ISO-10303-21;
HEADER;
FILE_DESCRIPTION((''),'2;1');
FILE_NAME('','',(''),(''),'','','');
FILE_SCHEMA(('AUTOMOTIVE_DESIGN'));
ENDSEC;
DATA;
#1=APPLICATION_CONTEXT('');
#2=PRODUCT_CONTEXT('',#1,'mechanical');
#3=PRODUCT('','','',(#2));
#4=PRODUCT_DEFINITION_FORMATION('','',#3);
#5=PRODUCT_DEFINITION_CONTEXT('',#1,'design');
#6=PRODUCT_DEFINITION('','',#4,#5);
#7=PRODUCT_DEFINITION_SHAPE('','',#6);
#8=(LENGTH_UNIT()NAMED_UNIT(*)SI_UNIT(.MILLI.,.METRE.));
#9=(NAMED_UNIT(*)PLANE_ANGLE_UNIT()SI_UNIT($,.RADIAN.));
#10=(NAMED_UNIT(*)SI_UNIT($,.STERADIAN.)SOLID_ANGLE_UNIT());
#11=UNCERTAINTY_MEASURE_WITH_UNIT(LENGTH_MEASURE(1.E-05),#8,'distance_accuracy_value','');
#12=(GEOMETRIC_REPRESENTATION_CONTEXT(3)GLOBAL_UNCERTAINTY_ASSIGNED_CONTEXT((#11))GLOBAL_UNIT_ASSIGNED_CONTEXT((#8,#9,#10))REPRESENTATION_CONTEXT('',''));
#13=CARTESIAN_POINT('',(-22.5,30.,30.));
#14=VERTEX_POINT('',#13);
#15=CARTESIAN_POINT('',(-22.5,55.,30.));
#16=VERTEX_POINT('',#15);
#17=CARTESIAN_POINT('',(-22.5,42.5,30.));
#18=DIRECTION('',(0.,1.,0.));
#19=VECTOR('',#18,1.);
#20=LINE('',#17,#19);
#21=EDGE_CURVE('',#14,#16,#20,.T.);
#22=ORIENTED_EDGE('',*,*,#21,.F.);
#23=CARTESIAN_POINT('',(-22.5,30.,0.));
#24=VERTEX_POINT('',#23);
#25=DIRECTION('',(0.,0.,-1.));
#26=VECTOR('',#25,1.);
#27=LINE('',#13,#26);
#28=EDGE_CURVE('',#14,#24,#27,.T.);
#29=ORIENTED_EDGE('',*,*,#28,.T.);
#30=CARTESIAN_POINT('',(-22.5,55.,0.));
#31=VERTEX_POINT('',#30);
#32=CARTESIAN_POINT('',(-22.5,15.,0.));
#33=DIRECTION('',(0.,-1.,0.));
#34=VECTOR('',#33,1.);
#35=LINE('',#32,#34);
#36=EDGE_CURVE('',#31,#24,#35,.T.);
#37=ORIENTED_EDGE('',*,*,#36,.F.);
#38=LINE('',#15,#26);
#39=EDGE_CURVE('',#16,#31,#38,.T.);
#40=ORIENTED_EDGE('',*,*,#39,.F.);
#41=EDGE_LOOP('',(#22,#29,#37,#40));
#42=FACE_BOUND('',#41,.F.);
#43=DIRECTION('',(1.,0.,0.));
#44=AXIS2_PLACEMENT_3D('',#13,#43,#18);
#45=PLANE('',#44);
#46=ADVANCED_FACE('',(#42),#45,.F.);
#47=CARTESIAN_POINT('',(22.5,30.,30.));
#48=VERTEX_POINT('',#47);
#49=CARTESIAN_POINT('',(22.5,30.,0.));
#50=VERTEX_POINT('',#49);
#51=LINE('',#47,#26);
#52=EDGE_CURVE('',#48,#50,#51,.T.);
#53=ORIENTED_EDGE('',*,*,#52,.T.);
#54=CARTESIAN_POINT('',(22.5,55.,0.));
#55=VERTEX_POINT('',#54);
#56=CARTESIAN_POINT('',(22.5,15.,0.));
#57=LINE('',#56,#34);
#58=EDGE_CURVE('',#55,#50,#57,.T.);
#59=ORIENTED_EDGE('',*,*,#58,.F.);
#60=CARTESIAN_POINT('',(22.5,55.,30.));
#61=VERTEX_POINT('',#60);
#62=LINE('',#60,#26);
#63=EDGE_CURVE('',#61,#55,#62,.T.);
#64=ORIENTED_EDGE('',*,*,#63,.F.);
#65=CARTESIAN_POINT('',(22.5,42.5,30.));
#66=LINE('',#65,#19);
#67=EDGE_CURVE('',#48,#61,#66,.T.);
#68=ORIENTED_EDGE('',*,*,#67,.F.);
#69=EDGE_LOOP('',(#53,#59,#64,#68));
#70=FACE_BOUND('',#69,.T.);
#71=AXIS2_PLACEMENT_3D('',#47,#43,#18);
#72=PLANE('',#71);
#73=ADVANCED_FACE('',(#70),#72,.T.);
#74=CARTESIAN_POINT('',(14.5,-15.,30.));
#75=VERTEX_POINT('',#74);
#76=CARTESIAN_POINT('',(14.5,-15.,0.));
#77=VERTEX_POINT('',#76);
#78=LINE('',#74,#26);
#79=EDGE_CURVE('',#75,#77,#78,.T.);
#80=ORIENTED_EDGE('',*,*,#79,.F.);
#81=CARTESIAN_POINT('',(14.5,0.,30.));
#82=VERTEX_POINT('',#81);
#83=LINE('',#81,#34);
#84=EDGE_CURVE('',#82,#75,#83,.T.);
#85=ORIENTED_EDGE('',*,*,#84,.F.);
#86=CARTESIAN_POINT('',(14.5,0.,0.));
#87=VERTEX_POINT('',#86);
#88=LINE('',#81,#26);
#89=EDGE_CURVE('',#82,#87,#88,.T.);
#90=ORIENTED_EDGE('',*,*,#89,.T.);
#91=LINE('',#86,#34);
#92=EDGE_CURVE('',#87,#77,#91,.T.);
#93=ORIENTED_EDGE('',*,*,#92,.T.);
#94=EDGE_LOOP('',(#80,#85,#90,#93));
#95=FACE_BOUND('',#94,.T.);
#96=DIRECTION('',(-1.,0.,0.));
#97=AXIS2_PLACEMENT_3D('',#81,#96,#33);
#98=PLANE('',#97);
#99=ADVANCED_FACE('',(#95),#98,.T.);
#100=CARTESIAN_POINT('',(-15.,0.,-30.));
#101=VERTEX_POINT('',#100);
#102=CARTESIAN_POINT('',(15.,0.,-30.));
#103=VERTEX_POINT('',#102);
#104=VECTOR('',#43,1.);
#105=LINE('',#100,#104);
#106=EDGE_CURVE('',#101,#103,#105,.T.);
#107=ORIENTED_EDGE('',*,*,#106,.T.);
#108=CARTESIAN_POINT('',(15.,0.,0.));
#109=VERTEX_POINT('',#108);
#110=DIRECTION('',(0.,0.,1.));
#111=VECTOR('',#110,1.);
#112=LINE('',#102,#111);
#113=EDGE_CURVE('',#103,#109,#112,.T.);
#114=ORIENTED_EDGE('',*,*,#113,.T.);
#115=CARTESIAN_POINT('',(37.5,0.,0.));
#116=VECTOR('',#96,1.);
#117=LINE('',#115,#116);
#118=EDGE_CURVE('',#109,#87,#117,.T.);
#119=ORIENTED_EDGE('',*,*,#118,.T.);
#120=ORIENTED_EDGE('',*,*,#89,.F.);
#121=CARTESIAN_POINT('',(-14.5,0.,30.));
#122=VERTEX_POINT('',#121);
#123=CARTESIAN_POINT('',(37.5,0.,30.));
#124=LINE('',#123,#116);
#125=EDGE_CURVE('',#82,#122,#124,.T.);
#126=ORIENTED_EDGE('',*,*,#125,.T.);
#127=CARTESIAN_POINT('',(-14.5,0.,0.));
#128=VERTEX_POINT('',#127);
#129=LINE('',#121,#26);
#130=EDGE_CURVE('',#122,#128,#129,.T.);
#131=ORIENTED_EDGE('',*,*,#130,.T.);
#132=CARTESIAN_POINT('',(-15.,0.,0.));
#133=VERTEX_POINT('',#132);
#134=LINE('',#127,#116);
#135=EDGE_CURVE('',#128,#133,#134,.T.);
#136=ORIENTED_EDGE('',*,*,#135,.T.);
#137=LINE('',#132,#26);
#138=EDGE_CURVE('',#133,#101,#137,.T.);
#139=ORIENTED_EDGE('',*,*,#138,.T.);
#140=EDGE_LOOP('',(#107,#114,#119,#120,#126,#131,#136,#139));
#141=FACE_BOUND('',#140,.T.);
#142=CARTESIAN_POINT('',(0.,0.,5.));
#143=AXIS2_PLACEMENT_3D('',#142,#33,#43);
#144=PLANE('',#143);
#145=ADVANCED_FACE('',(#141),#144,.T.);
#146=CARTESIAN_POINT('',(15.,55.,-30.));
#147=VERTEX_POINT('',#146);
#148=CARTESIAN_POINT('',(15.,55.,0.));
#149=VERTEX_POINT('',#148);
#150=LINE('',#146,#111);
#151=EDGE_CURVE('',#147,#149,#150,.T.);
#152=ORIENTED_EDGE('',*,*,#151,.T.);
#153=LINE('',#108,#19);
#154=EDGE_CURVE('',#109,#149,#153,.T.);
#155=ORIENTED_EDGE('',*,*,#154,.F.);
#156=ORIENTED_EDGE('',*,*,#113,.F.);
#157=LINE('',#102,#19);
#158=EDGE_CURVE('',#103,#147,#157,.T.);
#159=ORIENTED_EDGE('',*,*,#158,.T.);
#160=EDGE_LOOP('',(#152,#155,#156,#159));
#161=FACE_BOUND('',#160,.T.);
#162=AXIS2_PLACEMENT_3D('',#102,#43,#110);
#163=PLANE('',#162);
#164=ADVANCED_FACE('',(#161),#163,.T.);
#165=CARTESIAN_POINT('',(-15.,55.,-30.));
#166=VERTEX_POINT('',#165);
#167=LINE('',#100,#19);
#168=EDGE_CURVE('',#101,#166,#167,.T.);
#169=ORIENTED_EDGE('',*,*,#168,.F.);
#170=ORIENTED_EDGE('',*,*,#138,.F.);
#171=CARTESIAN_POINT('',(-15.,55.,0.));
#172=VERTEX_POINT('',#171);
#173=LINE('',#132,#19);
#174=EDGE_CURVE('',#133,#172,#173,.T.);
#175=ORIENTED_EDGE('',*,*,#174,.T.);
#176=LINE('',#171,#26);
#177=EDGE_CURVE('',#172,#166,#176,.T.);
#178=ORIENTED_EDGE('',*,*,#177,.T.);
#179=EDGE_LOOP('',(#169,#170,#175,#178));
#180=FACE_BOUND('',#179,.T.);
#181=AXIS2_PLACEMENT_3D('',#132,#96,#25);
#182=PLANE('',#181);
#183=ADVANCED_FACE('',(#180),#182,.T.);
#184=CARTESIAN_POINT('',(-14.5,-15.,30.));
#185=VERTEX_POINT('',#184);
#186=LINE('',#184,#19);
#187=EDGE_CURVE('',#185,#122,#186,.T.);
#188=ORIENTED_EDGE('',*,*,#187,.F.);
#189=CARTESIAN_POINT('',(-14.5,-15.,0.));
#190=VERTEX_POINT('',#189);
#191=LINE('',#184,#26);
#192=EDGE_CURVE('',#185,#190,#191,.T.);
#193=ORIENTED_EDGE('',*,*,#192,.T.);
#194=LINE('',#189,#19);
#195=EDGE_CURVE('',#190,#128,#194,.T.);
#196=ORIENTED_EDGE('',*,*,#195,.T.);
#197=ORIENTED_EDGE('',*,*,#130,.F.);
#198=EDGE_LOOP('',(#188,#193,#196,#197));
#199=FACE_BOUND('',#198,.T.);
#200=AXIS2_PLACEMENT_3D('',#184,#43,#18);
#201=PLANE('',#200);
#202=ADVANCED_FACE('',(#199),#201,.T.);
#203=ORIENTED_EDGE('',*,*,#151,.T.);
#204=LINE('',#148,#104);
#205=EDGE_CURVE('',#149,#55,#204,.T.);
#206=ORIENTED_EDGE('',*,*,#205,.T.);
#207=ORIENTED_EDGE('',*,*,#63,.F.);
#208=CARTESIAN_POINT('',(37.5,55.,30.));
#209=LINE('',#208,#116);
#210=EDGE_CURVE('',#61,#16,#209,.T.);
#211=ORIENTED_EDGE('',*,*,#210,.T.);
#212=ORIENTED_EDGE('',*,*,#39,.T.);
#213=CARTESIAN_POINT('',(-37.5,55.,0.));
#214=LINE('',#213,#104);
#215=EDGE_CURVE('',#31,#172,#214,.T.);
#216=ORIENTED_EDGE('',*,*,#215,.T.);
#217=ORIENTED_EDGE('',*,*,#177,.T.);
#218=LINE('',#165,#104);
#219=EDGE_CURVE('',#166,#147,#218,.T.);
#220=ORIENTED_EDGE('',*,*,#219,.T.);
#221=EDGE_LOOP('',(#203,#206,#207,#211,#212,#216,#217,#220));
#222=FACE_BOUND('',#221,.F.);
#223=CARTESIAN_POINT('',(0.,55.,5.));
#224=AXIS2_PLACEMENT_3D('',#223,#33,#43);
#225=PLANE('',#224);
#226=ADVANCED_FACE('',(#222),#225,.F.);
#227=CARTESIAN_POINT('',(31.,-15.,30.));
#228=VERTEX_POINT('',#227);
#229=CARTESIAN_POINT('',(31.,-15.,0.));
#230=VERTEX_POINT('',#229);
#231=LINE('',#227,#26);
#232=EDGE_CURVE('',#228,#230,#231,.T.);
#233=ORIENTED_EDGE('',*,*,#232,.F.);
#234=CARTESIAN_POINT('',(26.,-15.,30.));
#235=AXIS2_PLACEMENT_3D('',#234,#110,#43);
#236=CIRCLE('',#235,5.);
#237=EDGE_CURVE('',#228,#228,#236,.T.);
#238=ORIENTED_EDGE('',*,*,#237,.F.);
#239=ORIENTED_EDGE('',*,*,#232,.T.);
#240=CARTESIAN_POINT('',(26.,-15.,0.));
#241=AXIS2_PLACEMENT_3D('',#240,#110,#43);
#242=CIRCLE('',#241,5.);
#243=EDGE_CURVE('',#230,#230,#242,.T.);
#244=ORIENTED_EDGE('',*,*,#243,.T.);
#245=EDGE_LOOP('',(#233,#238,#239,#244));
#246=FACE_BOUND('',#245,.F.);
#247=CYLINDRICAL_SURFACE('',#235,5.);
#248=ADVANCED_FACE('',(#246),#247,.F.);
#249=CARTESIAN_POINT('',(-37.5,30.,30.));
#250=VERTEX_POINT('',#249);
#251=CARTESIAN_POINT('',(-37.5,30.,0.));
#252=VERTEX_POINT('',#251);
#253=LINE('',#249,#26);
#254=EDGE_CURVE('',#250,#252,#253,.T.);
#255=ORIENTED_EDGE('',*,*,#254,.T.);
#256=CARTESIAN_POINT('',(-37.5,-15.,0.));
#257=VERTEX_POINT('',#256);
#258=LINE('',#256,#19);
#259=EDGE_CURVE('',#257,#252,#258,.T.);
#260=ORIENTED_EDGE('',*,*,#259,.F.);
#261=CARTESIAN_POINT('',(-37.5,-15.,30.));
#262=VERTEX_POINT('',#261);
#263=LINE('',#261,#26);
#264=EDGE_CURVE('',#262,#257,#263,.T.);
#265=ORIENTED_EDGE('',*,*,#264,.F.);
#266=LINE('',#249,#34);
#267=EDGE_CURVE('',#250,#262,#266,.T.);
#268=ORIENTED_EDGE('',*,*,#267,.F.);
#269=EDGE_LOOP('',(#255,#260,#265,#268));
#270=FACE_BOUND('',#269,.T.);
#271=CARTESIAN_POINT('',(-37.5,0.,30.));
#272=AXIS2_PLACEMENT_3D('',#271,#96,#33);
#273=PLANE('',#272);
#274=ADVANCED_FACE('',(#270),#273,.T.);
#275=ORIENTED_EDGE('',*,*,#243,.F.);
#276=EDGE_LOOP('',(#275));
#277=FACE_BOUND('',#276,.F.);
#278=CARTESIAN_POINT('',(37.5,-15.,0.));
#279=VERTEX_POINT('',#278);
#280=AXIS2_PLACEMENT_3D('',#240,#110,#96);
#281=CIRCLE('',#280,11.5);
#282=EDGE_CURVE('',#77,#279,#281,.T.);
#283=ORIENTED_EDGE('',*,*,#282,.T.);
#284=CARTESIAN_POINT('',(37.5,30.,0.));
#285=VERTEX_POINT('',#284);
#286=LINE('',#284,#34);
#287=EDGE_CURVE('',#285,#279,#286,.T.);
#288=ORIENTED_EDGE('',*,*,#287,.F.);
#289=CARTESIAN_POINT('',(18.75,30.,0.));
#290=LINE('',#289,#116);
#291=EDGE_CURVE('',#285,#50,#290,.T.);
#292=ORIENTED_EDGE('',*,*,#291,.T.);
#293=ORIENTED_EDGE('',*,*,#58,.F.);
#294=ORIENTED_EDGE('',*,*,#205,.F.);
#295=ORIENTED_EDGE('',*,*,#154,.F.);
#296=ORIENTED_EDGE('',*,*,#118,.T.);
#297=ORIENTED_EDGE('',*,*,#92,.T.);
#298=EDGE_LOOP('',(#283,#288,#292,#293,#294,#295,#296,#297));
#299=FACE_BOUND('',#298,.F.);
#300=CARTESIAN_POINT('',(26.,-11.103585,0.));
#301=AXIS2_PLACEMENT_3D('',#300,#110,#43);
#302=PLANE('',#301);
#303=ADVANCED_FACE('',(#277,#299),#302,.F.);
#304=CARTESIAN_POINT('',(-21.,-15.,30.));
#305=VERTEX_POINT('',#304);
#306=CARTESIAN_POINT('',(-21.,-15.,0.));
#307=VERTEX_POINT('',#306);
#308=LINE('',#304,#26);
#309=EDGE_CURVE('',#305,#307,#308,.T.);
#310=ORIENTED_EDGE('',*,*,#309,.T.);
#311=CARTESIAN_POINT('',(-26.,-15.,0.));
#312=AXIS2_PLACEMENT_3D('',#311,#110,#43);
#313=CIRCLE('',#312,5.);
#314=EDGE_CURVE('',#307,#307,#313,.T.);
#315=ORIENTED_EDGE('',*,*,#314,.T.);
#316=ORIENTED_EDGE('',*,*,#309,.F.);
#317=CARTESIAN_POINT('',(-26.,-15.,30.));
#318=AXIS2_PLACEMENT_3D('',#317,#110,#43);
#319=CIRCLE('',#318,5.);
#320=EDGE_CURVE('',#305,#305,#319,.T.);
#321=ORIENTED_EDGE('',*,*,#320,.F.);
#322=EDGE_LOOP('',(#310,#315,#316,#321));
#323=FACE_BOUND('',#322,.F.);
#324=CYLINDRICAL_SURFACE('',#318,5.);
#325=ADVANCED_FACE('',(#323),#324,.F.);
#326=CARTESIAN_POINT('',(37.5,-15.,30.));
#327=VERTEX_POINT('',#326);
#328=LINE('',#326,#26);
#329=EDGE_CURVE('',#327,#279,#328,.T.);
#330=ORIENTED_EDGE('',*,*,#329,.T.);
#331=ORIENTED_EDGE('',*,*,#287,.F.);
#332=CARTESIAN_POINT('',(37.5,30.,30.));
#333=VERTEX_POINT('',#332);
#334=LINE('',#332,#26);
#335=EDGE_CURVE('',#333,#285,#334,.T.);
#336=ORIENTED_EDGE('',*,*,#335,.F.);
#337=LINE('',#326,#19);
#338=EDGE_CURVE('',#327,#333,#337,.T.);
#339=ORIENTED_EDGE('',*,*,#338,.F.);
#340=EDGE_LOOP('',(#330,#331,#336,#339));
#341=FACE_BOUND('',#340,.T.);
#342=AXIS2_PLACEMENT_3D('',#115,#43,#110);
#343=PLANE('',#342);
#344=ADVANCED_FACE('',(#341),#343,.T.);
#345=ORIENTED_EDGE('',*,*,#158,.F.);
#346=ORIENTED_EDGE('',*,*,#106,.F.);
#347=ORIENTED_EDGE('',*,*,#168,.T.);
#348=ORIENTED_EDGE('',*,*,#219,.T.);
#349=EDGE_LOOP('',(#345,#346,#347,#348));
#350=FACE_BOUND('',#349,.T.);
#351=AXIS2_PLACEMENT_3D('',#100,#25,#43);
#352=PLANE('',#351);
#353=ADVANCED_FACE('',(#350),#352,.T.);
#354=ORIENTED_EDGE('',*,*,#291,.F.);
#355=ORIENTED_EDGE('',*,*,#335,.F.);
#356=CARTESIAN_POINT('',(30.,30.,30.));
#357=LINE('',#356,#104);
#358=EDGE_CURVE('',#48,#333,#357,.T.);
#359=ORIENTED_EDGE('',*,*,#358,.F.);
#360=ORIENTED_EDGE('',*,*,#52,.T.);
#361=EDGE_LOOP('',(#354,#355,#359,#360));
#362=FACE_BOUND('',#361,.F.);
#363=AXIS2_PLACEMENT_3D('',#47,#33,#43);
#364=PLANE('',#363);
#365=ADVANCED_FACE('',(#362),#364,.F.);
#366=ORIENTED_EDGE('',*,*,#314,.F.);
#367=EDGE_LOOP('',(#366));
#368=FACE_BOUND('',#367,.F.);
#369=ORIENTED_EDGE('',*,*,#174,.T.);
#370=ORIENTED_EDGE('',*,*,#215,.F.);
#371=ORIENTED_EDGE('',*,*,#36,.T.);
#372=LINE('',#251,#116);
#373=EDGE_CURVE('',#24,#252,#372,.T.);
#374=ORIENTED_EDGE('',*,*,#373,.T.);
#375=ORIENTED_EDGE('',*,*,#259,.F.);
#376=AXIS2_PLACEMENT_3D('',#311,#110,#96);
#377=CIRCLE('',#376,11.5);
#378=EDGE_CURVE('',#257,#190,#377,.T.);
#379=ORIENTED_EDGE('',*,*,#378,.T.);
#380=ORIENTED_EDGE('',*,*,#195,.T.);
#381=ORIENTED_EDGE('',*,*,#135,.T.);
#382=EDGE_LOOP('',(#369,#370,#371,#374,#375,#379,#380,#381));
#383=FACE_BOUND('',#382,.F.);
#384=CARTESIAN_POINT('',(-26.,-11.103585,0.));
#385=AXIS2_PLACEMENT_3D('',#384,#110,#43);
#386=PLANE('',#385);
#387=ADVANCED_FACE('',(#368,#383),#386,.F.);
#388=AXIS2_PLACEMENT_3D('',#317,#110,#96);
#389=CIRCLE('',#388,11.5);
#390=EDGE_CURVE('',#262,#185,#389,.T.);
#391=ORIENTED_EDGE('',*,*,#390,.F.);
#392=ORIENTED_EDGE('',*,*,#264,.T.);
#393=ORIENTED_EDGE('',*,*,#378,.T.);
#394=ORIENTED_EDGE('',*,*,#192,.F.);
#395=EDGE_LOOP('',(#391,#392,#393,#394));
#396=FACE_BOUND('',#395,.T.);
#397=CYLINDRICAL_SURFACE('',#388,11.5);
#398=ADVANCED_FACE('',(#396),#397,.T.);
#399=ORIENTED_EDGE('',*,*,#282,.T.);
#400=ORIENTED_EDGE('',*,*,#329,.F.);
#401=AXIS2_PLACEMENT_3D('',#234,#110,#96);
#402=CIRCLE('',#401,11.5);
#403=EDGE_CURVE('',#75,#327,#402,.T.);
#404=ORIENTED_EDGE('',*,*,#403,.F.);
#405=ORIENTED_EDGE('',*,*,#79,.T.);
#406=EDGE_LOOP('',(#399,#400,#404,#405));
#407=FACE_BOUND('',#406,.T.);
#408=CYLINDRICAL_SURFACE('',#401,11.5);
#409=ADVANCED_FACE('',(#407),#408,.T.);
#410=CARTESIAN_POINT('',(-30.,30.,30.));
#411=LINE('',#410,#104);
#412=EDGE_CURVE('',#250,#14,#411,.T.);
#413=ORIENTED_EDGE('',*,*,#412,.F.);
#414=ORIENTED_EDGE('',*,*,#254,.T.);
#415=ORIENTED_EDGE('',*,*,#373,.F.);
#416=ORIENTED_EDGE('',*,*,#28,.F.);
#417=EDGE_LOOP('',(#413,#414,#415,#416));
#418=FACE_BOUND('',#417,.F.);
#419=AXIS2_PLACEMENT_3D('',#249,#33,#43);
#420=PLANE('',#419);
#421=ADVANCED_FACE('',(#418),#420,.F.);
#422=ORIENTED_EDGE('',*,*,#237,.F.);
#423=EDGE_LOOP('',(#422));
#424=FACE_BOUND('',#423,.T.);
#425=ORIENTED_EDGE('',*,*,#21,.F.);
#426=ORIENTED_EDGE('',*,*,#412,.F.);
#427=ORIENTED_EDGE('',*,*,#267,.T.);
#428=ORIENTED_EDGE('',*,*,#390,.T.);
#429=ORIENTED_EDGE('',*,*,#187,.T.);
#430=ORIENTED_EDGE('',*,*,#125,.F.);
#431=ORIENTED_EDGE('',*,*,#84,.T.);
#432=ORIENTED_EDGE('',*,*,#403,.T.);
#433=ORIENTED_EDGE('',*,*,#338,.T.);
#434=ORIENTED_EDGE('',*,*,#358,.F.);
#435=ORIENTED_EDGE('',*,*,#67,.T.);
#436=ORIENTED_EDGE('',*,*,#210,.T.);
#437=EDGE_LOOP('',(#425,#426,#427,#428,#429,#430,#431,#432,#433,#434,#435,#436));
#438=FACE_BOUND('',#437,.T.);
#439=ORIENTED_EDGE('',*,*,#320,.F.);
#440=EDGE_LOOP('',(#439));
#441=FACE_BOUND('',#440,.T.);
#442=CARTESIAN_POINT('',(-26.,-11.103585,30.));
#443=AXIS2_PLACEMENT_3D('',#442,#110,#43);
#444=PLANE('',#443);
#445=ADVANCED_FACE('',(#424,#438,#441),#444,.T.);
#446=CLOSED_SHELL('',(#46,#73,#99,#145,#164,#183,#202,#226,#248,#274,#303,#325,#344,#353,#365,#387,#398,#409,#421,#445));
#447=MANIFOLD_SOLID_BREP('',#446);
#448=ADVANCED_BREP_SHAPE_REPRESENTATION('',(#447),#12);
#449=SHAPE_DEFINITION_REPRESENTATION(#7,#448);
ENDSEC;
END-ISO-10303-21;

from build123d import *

# Parameters (mm, degrees)
F1_DEPTH = 55
F2_W     = 15
F2_H     = 25
F3_DEPTH = 57.6
F4_R     = 5
F5_DEPTH = 30


with BuildPart() as f1:
    # F0 (on Front) → F1 (new body)
    with BuildSketch(Plane.XZ):
        Polygon((-37.5, 30), (-37.5, 0), (-15, 0), (-15, -30), (0, -30), (15, -30), (15, 0), (37.5, 0), (37.5, 30), (0, 30), align=None)
    extrude(amount=-F1_DEPTH)

    # F2 (on face) → F3 (cut)
    with BuildSketch(Plane.XY.offset(30)):
        with Locations((-30, 42.5)):
            Rectangle(F2_W, F2_H)
        with Locations((30, 42.5)):
            Rectangle(F2_W, F2_H)
    extrude(amount=-F3_DEPTH, mode=Mode.SUBTRACT)

    # F4 (on face) → F5 (join)
    with BuildSketch(Plane.XY.offset(30)):
        with BuildLine():
            Line((-14.5, 0), (-37.5, 0))
            Line((-37.5, 0), (-37.5, -15))
            ThreePointArc((-37.5, -15), (-26, -26.5), (-14.5, -15))
            Line((-14.5, -15), (-14.5, 0))
        make_face()
        with Locations((-26, -15)):
            Circle(F4_R, mode=Mode.SUBTRACT)
        with BuildLine():
            Line((37.5, 0), (14.5, 0))
            Line((14.5, 0), (14.5, -15))
            ThreePointArc((14.5, -15), (26, -26.5), (37.5, -15))
            Line((37.5, -15), (37.5, 0))
        make_face()
        with Locations((26, -15)):
            Circle(F4_R, mode=Mode.SUBTRACT)
    extrude(amount=-F5_DEPTH)


solid = f1.part
